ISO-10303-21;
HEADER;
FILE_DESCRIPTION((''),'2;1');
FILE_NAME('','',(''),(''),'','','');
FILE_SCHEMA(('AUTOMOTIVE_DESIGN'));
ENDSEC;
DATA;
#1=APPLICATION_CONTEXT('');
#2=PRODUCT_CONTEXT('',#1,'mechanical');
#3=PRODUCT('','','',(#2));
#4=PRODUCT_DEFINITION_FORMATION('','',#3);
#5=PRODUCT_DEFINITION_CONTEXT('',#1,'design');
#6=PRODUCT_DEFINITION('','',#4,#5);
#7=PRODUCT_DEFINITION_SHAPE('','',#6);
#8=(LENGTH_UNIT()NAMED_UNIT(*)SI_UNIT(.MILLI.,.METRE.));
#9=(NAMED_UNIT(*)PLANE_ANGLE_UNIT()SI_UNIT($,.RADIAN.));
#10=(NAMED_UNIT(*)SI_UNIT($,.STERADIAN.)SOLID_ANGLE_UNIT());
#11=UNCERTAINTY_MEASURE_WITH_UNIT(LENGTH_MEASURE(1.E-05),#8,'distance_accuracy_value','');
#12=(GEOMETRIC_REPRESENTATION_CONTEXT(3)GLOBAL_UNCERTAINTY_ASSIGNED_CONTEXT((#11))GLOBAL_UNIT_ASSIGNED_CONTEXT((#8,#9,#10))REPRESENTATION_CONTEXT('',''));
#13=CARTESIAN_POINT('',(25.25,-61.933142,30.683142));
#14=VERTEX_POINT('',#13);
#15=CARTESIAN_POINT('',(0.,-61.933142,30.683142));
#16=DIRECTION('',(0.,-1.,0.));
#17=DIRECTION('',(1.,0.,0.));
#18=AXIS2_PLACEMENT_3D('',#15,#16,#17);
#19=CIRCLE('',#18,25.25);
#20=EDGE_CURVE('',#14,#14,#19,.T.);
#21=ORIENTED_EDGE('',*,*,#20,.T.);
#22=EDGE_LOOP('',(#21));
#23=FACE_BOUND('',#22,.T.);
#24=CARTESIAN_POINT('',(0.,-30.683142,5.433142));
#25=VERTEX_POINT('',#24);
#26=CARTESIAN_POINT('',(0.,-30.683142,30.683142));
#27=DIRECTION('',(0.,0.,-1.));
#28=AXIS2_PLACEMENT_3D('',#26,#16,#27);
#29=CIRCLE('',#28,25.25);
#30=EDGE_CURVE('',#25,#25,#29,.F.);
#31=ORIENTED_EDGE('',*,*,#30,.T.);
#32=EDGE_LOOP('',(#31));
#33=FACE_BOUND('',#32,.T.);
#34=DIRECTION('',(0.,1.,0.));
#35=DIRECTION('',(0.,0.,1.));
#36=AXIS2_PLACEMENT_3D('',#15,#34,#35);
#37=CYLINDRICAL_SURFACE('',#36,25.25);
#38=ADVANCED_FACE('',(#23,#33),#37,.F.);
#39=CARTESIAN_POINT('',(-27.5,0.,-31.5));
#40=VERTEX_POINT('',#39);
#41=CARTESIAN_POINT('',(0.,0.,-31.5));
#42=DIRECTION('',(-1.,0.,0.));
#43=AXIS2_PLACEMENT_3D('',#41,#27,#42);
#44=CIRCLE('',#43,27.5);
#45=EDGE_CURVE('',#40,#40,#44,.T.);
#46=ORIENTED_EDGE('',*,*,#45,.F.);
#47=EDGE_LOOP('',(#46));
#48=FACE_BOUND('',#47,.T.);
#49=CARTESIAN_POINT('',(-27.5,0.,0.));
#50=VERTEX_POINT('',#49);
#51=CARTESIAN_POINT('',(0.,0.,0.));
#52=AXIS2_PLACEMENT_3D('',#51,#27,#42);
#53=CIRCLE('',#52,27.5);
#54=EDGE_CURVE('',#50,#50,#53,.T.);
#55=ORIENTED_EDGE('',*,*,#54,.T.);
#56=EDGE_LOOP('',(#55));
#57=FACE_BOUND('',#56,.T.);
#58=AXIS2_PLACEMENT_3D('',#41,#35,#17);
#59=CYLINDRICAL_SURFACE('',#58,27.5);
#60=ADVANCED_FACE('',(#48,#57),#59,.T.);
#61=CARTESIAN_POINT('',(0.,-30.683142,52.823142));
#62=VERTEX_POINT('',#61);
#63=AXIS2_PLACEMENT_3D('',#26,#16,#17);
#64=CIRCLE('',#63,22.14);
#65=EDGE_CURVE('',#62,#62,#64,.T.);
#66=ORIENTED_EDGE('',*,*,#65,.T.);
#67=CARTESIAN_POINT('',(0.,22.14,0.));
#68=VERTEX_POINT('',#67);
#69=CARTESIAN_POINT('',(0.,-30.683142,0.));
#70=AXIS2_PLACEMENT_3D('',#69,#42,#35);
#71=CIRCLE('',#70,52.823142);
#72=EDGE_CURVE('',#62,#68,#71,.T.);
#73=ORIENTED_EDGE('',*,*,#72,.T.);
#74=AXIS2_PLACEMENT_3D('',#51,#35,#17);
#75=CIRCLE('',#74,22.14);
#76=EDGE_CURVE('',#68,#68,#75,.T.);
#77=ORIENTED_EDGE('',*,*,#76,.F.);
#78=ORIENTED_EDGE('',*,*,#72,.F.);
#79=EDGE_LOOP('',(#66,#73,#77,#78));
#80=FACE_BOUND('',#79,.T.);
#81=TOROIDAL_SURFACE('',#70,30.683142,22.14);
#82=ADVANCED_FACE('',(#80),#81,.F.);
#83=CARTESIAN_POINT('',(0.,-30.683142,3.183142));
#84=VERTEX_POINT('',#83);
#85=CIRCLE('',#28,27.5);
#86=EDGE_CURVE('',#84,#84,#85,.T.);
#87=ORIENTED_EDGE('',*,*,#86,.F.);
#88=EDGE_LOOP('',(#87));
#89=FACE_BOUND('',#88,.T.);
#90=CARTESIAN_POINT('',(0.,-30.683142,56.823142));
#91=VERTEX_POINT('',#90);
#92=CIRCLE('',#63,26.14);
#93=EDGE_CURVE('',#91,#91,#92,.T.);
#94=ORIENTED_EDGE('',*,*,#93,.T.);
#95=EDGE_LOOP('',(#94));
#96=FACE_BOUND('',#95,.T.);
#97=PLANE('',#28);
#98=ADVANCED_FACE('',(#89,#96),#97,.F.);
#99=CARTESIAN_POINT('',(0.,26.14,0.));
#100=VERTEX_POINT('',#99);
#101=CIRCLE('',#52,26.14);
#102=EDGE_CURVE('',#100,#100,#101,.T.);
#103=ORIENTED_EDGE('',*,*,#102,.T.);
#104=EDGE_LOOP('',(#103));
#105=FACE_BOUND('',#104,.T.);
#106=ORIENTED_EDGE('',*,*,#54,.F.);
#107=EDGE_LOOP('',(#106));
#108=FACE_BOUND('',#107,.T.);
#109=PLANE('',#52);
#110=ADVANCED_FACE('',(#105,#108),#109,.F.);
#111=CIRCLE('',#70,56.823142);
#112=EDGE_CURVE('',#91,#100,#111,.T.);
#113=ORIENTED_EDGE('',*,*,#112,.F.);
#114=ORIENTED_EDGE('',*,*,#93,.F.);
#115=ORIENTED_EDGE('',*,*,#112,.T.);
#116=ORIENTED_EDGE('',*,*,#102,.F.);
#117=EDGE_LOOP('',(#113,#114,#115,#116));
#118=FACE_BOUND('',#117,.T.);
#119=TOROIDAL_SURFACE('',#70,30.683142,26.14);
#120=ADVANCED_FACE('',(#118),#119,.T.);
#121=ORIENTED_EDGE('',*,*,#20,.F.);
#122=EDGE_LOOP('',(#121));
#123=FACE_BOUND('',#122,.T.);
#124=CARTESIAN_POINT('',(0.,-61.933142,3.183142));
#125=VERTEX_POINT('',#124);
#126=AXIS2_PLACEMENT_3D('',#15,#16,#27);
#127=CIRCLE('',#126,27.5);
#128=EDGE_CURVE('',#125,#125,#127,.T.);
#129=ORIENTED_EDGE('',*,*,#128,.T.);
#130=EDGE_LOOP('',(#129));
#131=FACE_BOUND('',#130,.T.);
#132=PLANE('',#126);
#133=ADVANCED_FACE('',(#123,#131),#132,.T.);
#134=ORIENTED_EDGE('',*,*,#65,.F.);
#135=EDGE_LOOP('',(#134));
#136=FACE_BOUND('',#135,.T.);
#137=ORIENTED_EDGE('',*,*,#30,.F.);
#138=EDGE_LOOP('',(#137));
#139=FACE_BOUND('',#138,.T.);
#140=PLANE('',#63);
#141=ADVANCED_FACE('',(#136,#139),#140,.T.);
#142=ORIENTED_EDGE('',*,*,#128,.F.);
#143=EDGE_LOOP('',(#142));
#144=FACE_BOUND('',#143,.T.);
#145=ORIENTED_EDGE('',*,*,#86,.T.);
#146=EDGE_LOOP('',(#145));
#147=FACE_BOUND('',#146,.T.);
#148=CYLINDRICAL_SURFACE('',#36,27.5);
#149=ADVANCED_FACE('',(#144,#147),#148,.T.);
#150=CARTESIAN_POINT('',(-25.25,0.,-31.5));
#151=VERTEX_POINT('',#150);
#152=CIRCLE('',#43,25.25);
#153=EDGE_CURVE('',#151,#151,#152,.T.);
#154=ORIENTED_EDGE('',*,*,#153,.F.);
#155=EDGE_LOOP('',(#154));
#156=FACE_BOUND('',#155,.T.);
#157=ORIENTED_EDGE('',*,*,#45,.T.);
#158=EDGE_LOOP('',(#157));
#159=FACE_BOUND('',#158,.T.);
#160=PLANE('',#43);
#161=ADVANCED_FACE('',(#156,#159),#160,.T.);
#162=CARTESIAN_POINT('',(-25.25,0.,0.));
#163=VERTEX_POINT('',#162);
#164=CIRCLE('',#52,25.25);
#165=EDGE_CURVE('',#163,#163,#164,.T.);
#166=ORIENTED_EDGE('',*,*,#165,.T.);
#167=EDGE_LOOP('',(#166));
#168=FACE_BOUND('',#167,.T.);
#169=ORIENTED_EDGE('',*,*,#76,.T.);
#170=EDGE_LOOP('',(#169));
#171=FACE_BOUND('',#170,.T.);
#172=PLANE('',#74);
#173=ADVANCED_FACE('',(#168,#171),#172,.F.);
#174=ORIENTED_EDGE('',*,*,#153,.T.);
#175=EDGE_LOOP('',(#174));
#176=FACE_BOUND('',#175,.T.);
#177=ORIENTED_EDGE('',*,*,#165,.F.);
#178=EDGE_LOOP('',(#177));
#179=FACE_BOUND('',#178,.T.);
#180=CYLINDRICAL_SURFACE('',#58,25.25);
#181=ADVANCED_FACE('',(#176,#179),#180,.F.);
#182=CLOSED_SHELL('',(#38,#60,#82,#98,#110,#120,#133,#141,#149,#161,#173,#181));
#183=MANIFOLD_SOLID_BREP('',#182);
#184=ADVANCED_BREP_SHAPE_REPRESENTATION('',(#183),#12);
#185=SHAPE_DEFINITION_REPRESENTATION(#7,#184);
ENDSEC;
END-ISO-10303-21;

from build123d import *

# Parameters (mm, degrees)
ESQUISSE1_R        = 26.14
ESQUISSE1_R_2      = 22.14
R_VOL_MINCE1_ANGLE = 90
ESQUISSE2_R        = 27.5
ESQUISSE2_R_2      = 25.25
EXTRU_MINCE1_DEPTH = 31.5
ESQUISSE3_R        = 27.5
ESQUISSE3_R_2      = 25.25
EXTRU_MINCE2_DEPTH = 31.25


with BuildPart() as part:
    # Esquisse1 → Révol.-Mince1 (revolve)
    with BuildSketch(Plane.XY):
        Circle(ESQUISSE1_R)
        Circle(ESQUISSE1_R_2, mode=Mode.SUBTRACT)
    revolve(axis=Axis((0, -30.683141542, 0), (1, 0, 0)), revolution_arc=R_VOL_MINCE1_ANGLE)

    # Esquisse2 → Extru.-Mince1 (add)
    with BuildSketch(Plane(origin=(0, 0, 0), x_dir=(-1, 0, 0), z_dir=(0, 0, -1))):
        Circle(ESQUISSE2_R)
        Circle(ESQUISSE2_R_2, mode=Mode.SUBTRACT)
    extrude(amount=EXTRU_MINCE1_DEPTH)

    # Esquisse3 → Extru.-Mince2 (add)
    with BuildSketch(Plane.XZ.offset(30.683141542)):
        with Locations((0, 30.683141542)):
            Circle(ESQUISSE3_R)
        with Locations((0, 30.683141542)):
            Circle(ESQUISSE3_R_2, mode=Mode.SUBTRACT)
    extrude(amount=EXTRU_MINCE2_DEPTH)


solid = part.part
